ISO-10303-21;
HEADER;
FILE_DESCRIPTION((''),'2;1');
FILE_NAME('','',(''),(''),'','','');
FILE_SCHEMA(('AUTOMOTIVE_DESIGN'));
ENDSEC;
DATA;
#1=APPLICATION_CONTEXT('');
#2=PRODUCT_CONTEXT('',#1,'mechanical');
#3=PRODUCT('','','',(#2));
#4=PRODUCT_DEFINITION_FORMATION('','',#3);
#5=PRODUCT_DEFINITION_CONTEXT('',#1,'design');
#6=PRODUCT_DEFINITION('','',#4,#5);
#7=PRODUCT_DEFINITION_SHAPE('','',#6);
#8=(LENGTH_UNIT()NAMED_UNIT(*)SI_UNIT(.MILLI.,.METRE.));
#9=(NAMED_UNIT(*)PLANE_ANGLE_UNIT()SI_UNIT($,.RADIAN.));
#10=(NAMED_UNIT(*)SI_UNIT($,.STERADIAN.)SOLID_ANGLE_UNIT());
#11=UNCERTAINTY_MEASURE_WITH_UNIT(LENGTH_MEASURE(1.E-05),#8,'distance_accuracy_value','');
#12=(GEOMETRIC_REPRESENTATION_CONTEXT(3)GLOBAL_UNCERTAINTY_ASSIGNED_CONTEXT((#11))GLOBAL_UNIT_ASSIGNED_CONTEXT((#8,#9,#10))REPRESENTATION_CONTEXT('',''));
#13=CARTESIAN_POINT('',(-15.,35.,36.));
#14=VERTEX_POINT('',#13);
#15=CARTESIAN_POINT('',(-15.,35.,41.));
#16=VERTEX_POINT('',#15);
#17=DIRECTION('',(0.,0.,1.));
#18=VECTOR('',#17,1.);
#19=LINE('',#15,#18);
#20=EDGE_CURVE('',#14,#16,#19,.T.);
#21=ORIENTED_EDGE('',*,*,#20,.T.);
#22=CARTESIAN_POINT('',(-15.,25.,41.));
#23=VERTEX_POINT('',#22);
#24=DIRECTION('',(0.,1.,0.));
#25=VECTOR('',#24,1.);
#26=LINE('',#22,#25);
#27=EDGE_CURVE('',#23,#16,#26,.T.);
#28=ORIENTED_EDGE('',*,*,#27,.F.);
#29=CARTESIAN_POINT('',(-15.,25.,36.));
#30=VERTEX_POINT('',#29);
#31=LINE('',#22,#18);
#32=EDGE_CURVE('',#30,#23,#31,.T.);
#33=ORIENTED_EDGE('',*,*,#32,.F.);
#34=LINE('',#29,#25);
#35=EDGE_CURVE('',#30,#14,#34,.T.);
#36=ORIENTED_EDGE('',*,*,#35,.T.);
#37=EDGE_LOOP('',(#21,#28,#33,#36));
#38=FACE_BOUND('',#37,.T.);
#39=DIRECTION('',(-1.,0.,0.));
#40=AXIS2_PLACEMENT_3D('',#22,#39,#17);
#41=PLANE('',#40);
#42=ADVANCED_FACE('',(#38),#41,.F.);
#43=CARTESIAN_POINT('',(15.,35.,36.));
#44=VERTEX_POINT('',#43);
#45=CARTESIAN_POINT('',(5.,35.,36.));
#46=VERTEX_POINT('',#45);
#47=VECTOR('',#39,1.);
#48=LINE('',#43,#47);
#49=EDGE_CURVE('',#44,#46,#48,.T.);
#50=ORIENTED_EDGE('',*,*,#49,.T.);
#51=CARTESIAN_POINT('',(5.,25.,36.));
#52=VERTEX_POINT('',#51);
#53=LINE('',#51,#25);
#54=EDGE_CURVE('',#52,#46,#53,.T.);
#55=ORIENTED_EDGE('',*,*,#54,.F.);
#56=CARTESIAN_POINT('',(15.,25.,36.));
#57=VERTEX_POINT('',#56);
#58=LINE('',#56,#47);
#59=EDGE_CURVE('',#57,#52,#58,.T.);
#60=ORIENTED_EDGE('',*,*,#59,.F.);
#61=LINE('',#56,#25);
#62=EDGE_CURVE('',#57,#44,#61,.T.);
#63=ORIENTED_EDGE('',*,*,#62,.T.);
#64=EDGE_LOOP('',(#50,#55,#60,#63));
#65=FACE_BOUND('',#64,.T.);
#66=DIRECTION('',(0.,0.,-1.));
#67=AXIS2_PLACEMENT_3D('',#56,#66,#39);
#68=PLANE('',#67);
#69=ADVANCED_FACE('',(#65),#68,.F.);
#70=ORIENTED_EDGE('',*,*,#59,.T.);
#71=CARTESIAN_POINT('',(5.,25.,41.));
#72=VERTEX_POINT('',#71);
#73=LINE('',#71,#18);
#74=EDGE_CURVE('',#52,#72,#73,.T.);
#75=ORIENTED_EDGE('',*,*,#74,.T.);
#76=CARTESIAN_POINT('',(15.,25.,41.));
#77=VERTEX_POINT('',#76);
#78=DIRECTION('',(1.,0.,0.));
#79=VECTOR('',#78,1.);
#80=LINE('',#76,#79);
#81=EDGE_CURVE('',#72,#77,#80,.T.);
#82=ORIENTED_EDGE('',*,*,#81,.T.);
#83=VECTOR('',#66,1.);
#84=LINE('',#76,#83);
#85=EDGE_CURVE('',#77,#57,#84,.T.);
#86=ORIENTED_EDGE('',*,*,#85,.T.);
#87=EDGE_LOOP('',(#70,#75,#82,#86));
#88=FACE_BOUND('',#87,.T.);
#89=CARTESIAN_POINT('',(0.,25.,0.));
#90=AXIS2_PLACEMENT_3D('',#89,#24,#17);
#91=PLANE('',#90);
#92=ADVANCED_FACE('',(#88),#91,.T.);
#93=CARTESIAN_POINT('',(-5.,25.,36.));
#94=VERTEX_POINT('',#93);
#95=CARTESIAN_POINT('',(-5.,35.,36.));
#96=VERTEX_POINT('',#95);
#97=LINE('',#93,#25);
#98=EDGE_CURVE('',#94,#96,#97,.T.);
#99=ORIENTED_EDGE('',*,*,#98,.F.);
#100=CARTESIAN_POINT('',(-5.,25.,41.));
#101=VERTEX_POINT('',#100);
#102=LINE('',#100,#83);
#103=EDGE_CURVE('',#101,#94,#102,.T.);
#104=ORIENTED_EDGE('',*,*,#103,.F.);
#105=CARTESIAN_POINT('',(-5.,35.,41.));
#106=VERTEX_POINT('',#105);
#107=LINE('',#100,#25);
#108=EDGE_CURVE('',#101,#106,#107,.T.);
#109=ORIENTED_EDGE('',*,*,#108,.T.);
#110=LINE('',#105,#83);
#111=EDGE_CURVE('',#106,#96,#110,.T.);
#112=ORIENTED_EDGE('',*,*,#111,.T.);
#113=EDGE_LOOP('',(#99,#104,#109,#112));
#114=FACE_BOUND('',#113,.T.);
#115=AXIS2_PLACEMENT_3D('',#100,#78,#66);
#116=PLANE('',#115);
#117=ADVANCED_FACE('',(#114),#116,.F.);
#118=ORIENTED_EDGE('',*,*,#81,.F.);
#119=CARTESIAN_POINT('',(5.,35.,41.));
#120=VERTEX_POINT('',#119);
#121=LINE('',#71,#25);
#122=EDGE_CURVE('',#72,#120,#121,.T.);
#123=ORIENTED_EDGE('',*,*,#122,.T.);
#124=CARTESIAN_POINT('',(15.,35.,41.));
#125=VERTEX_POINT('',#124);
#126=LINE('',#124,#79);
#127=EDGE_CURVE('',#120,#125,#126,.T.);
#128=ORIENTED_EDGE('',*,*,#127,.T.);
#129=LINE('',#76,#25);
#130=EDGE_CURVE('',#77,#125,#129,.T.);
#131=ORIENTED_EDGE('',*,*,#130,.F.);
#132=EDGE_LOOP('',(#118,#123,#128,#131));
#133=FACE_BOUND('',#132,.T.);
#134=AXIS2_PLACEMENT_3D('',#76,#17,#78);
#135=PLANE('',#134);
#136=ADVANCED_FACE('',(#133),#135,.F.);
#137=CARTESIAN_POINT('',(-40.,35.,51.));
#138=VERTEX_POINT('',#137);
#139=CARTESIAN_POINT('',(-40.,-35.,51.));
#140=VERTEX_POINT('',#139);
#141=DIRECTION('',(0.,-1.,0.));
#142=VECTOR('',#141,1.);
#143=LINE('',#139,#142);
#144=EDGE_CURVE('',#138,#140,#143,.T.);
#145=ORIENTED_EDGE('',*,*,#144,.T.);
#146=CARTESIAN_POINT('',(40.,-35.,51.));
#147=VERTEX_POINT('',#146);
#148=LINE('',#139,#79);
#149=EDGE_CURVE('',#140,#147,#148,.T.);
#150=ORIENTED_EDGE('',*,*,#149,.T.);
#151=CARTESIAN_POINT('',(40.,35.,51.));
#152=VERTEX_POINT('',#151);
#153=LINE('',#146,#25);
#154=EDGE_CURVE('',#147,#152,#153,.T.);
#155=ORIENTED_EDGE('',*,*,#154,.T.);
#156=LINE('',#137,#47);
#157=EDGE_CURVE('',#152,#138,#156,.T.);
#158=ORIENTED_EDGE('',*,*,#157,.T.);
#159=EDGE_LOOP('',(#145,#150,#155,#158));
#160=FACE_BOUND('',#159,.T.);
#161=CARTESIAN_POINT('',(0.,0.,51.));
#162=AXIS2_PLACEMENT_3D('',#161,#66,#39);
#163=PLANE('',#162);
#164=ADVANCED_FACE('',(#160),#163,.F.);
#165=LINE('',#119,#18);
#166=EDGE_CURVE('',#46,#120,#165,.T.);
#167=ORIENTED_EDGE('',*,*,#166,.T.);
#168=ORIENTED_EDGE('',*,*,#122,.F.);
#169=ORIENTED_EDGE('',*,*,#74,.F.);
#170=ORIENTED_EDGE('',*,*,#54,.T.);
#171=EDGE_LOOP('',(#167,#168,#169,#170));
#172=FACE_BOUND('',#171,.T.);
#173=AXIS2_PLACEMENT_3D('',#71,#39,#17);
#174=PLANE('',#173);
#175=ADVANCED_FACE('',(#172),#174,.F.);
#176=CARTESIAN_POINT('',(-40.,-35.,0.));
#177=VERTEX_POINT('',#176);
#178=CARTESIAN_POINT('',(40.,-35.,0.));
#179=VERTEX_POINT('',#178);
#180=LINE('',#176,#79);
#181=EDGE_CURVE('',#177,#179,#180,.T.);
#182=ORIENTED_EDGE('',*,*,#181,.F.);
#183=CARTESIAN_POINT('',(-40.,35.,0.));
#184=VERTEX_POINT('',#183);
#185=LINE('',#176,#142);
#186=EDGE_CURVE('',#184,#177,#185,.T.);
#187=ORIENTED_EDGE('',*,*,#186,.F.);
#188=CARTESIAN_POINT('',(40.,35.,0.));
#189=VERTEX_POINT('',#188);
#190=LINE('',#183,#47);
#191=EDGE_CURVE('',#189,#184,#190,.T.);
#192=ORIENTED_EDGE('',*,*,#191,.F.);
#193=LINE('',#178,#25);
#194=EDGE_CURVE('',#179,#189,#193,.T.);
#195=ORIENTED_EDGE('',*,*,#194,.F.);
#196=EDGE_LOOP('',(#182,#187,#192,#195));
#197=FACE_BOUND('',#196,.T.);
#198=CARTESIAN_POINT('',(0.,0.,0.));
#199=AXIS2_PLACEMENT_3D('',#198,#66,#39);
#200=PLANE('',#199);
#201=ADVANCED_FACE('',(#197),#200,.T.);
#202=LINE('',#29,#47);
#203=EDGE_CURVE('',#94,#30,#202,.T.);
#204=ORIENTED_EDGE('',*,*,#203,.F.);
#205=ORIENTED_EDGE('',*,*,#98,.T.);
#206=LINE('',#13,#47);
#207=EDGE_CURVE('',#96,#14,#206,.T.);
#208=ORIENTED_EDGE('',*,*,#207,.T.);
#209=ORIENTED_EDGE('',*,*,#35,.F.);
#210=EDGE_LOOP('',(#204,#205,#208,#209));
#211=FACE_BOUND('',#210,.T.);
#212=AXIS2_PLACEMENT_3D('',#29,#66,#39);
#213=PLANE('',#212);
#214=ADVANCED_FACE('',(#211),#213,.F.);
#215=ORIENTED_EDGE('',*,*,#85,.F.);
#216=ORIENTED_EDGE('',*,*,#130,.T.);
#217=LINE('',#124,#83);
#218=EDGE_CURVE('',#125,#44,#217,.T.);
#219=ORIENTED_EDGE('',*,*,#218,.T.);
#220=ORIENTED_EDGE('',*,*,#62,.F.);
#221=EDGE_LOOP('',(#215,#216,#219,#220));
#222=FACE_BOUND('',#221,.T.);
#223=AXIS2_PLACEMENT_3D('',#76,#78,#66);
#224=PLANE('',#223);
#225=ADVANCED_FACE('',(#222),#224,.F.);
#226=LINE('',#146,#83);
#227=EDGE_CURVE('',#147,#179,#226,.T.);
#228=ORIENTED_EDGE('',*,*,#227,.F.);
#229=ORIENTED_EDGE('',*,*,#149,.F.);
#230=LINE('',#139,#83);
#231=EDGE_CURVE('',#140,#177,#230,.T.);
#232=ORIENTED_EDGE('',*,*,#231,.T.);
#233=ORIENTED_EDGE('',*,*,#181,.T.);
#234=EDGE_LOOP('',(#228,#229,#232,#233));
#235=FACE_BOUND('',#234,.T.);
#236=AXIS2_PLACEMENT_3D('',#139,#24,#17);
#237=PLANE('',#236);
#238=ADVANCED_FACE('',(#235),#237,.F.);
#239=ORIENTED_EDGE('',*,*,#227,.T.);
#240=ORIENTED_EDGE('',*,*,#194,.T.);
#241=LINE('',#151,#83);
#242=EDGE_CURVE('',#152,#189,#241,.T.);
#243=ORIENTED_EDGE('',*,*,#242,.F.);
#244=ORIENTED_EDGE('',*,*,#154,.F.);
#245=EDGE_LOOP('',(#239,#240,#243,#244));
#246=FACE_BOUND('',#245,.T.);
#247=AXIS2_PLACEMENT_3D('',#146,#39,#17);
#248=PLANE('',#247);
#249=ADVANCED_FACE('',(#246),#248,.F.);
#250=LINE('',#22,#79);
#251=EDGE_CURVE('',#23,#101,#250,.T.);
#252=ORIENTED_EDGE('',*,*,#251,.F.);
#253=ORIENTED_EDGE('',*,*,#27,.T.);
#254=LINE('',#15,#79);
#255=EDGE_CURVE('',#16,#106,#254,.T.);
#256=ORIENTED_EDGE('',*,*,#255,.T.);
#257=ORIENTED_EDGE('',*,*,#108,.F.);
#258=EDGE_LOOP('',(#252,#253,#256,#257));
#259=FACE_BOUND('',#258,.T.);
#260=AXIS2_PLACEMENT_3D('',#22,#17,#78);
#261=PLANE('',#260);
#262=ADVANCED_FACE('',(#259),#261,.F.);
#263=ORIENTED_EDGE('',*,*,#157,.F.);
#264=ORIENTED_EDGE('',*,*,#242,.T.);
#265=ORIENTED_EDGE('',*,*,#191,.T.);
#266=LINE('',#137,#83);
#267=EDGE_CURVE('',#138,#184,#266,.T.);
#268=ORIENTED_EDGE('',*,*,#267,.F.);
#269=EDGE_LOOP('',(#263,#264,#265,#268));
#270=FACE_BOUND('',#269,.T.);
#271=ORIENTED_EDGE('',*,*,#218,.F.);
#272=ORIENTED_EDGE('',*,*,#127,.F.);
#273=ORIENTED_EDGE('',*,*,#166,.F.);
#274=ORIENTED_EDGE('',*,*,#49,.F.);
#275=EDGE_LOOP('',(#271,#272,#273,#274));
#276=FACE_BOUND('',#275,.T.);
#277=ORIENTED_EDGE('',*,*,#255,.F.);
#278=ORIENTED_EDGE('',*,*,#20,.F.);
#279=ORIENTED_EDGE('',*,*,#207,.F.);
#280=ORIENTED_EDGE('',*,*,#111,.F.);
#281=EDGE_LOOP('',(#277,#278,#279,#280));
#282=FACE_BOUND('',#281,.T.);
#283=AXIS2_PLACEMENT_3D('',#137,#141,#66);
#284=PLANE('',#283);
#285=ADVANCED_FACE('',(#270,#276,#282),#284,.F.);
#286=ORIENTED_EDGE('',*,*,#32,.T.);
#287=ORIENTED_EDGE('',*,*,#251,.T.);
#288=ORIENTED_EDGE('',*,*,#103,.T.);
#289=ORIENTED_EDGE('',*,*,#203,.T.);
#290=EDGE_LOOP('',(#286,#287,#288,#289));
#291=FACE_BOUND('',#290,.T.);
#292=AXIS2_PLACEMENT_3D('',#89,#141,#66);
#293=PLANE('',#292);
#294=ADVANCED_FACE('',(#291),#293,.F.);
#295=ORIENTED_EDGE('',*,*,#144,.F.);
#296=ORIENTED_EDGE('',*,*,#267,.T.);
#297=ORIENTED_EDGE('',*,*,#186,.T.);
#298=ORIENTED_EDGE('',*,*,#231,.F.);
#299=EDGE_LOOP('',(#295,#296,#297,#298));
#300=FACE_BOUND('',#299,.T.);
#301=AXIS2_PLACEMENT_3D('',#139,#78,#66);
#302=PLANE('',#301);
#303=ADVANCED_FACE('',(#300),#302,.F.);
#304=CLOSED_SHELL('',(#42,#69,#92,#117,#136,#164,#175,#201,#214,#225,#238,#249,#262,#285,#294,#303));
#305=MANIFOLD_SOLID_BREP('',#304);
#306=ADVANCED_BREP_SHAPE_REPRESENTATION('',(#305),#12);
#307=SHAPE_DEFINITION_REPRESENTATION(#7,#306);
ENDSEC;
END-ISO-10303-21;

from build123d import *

# Parameters (mm, degrees)
SKETCH2_W           = 80
SKETCH2_H           = 70
BOSS_EXTRUDE1_DEPTH = 51
SKETCH3_W           = 10
SKETCH3_H           = 5
CUT_EXTRUDE1_DEPTH  = 10


with BuildPart() as part:
    # Sketch2 → Boss-Extrude1 (new body)
    with BuildSketch(Plane.XY):
        Rectangle(SKETCH2_W, SKETCH2_H)
    extrude(amount=BOSS_EXTRUDE1_DEPTH)

    # Sketch3 → Cut-Extrude1 (cut)
    with BuildSketch(Plane(origin=(0, 35, 0), x_dir=(1, 0, 0), z_dir=(0, 1, 0))):
        with Locations((-10, -38.5)):
            Rectangle(SKETCH3_W, SKETCH3_H)
        with Locations((10, -38.5)):
            Rectangle(SKETCH3_W, SKETCH3_H)
    extrude(amount=-CUT_EXTRUDE1_DEPTH, mode=Mode.SUBTRACT)


solid = part.part
